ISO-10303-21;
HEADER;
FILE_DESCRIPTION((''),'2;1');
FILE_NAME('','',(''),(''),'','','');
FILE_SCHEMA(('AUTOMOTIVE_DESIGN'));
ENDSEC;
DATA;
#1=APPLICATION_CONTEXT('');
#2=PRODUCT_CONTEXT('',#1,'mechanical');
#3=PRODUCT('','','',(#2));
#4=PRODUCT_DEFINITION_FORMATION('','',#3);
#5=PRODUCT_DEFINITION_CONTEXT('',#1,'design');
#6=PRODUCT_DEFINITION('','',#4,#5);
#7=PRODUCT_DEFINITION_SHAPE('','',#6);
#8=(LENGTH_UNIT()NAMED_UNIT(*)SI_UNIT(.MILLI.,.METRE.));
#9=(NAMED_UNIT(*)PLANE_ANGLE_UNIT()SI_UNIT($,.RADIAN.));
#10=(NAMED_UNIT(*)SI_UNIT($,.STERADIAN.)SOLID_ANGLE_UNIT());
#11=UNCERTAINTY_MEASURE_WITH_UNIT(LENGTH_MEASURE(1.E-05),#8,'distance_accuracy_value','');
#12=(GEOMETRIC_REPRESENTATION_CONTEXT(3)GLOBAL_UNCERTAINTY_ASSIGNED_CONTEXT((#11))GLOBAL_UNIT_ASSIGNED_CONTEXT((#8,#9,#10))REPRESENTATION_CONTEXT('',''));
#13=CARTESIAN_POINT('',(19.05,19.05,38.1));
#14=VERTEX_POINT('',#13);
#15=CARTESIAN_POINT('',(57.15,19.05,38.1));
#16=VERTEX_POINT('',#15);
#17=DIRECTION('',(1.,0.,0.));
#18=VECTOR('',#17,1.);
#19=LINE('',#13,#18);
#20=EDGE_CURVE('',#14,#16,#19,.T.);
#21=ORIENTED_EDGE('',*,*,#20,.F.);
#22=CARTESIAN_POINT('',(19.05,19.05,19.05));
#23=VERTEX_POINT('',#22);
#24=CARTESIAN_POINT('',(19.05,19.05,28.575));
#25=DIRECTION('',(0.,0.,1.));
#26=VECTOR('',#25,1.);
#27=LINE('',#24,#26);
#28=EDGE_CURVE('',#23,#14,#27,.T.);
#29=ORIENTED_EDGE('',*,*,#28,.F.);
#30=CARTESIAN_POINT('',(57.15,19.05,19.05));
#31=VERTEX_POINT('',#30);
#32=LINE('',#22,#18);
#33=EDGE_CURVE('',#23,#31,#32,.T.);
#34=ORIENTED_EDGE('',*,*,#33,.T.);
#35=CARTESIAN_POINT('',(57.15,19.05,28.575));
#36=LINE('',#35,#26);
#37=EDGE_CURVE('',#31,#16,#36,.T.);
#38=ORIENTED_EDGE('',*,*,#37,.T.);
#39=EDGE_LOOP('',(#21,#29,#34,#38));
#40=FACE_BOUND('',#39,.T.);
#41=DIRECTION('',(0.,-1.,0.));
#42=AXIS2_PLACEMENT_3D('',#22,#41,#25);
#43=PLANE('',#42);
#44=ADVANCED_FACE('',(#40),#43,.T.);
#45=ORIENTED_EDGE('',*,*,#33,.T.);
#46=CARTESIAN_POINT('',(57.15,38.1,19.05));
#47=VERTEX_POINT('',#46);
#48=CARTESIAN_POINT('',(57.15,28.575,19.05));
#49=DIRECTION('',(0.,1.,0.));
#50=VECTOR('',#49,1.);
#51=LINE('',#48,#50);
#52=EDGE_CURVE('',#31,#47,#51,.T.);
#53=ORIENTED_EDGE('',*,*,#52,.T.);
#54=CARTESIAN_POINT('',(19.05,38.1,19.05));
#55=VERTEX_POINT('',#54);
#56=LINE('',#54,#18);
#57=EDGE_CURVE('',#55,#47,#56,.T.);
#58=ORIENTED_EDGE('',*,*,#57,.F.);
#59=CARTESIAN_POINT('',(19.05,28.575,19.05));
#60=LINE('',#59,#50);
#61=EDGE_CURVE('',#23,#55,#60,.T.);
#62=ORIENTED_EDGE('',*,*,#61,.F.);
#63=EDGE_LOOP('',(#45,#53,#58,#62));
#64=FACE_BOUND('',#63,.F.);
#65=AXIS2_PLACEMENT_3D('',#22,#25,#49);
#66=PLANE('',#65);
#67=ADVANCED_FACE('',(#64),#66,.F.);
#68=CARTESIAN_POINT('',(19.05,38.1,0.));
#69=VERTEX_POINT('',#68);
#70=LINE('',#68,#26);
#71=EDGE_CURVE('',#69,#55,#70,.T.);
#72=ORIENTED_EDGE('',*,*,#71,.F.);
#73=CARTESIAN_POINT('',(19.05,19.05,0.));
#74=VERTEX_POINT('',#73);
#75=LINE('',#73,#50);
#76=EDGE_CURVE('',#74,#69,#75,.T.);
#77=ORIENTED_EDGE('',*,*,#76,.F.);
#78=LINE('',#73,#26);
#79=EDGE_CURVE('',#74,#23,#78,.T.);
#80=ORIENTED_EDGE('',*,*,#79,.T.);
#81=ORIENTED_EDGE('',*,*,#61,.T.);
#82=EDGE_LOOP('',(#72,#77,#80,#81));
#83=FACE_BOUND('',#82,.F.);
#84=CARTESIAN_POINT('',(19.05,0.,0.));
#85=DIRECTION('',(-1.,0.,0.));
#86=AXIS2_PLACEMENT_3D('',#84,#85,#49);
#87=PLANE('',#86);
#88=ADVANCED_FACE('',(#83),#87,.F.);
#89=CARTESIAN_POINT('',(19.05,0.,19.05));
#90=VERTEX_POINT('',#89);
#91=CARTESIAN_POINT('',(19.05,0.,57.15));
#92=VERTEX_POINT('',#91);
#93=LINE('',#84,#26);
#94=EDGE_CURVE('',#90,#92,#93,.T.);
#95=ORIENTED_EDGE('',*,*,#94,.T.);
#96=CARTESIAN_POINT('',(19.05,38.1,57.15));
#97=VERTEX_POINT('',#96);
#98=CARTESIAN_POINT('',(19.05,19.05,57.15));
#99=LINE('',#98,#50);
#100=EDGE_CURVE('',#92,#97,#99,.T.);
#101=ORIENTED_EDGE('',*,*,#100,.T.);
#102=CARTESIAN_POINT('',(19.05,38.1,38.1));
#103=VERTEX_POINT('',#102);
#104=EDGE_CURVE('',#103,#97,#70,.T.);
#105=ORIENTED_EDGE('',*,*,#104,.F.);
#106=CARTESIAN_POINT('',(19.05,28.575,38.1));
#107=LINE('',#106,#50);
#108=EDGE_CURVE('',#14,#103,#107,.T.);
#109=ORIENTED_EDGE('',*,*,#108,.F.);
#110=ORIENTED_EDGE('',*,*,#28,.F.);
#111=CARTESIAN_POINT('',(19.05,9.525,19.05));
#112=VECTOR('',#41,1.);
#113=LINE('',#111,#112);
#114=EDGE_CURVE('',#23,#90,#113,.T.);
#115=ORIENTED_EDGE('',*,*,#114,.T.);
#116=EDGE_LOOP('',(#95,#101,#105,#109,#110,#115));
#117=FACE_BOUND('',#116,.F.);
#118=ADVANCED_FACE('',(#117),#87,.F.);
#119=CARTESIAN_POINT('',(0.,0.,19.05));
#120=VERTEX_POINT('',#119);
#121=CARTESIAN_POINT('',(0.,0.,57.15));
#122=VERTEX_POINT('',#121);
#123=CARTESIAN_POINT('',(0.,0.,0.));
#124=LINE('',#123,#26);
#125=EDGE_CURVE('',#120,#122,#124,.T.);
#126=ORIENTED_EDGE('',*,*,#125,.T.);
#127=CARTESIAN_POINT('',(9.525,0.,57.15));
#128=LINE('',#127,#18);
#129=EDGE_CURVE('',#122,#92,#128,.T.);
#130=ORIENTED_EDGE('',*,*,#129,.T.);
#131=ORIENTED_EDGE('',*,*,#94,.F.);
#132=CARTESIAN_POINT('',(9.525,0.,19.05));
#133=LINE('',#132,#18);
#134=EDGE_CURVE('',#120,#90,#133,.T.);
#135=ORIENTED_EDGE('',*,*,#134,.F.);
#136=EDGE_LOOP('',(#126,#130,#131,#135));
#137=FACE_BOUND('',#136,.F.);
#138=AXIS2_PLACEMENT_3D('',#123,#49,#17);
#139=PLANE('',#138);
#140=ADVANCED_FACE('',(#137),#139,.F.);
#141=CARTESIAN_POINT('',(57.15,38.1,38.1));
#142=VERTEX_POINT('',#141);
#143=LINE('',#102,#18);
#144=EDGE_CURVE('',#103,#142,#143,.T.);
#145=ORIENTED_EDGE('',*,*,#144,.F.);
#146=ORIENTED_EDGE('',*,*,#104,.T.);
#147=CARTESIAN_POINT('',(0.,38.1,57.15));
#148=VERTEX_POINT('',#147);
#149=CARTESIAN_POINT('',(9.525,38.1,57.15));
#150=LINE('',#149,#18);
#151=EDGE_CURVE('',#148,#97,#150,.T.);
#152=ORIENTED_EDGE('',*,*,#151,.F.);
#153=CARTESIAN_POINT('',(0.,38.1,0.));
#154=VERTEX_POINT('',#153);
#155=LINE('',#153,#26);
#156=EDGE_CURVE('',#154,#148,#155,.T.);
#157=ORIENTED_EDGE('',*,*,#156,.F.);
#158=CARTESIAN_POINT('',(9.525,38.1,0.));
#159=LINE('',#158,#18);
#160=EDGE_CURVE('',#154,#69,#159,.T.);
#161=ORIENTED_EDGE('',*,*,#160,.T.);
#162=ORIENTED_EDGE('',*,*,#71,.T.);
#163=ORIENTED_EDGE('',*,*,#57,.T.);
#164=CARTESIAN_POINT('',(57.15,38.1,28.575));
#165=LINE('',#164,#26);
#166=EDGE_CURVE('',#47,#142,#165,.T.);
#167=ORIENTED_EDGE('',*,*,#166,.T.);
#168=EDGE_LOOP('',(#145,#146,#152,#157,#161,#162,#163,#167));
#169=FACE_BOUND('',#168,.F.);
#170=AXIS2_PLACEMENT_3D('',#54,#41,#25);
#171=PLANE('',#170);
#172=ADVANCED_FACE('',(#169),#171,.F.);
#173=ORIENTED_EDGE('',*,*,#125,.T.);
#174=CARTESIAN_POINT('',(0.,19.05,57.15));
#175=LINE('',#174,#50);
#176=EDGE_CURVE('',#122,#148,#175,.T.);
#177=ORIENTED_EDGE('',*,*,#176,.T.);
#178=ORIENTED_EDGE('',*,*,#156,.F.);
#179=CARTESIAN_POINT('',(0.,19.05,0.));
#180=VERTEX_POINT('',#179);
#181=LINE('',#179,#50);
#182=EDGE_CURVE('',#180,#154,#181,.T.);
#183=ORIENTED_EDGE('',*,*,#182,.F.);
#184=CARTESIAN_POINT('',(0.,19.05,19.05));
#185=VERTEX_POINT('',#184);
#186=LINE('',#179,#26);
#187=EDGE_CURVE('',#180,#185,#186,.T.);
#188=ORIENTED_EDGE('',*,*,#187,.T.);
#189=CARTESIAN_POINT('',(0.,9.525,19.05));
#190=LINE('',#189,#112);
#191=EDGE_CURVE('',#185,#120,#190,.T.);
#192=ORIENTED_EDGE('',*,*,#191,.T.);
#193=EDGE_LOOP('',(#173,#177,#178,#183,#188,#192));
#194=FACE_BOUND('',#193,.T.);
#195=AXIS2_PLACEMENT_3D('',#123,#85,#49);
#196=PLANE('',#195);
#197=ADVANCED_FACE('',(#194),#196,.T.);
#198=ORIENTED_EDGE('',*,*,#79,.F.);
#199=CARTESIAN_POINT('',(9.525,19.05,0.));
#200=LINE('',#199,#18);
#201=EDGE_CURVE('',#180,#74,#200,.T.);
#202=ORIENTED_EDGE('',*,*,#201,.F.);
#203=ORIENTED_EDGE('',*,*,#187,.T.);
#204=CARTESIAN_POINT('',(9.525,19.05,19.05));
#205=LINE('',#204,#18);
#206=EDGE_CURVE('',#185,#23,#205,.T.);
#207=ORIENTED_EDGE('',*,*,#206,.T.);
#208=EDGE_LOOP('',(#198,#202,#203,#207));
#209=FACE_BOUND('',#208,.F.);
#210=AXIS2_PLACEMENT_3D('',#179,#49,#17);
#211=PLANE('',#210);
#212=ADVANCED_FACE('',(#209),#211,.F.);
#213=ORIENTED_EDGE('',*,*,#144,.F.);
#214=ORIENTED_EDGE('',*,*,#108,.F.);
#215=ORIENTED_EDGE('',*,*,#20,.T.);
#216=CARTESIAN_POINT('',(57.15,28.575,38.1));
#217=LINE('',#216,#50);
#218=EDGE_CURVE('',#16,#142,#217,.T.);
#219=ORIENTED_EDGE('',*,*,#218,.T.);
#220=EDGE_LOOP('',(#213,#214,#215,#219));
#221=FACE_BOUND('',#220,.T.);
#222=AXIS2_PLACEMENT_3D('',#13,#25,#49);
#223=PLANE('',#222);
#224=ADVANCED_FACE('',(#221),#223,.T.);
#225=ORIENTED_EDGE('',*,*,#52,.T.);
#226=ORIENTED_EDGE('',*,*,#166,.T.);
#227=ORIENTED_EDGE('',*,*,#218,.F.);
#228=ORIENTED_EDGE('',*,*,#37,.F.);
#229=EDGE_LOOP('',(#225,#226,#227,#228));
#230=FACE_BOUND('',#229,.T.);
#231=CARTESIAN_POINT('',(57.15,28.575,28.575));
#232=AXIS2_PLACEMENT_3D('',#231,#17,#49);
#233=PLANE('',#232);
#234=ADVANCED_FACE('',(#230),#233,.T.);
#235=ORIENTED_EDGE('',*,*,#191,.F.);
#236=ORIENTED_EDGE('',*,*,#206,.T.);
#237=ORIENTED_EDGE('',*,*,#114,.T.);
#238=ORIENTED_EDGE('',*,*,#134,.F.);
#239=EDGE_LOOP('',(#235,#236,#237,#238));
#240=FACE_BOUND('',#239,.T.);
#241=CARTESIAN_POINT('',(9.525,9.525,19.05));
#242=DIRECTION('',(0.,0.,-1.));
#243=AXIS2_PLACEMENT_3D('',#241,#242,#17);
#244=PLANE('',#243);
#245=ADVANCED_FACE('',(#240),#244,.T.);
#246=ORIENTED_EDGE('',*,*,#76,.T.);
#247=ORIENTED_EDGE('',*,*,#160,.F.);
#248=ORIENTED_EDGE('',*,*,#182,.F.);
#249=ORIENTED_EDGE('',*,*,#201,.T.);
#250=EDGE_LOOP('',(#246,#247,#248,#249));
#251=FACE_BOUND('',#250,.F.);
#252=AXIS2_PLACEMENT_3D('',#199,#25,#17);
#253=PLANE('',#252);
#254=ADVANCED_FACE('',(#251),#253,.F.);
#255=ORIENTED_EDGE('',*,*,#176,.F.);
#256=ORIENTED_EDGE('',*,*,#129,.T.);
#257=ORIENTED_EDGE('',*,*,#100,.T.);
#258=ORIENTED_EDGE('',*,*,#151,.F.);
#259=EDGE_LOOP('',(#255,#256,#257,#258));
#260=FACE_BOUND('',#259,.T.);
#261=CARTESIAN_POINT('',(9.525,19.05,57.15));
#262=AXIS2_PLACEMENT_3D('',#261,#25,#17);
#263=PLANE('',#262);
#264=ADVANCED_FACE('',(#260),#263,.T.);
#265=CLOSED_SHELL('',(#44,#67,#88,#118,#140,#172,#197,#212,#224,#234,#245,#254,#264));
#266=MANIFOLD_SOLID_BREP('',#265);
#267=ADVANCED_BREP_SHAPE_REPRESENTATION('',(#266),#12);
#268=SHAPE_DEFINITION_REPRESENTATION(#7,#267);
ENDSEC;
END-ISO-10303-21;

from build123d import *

# Parameters (mm, degrees)
F0_W     = 19.05
F0_H     = 38.1
F1_DEPTH = 57.15
F2_W     = 19.05
F2_H     = 19.05
F3_DEPTH = 19.05
F4_W     = 19.05
F4_H     = 19.05
F5_DEPTH = 38.1


with BuildPart() as f1:
    # F0 (on Top) → F1 (new body)
    with BuildSketch(Plane.XY):
        with Locations((9.525, 19.05)):
            Rectangle(F0_W, F0_H)
    extrude(amount=F1_DEPTH)

    # F2 (on face) → F3 (cut)
    with BuildSketch(Plane(origin=(0, 0, 0), x_dir=(1, 0, 0), z_dir=(0, 0, -1))):
        with Locations((9.525, -9.525)):
            Rectangle(F2_W, F2_H)
    extrude(amount=-F3_DEPTH, mode=Mode.SUBTRACT)

    # F4 (on face) → F5 (join)
    with BuildSketch(Plane.YZ.offset(19.05)):
        with Locations((28.575, 28.575)):
            Rectangle(F4_W, F4_H)
    extrude(amount=F5_DEPTH)


solid = f1.part
